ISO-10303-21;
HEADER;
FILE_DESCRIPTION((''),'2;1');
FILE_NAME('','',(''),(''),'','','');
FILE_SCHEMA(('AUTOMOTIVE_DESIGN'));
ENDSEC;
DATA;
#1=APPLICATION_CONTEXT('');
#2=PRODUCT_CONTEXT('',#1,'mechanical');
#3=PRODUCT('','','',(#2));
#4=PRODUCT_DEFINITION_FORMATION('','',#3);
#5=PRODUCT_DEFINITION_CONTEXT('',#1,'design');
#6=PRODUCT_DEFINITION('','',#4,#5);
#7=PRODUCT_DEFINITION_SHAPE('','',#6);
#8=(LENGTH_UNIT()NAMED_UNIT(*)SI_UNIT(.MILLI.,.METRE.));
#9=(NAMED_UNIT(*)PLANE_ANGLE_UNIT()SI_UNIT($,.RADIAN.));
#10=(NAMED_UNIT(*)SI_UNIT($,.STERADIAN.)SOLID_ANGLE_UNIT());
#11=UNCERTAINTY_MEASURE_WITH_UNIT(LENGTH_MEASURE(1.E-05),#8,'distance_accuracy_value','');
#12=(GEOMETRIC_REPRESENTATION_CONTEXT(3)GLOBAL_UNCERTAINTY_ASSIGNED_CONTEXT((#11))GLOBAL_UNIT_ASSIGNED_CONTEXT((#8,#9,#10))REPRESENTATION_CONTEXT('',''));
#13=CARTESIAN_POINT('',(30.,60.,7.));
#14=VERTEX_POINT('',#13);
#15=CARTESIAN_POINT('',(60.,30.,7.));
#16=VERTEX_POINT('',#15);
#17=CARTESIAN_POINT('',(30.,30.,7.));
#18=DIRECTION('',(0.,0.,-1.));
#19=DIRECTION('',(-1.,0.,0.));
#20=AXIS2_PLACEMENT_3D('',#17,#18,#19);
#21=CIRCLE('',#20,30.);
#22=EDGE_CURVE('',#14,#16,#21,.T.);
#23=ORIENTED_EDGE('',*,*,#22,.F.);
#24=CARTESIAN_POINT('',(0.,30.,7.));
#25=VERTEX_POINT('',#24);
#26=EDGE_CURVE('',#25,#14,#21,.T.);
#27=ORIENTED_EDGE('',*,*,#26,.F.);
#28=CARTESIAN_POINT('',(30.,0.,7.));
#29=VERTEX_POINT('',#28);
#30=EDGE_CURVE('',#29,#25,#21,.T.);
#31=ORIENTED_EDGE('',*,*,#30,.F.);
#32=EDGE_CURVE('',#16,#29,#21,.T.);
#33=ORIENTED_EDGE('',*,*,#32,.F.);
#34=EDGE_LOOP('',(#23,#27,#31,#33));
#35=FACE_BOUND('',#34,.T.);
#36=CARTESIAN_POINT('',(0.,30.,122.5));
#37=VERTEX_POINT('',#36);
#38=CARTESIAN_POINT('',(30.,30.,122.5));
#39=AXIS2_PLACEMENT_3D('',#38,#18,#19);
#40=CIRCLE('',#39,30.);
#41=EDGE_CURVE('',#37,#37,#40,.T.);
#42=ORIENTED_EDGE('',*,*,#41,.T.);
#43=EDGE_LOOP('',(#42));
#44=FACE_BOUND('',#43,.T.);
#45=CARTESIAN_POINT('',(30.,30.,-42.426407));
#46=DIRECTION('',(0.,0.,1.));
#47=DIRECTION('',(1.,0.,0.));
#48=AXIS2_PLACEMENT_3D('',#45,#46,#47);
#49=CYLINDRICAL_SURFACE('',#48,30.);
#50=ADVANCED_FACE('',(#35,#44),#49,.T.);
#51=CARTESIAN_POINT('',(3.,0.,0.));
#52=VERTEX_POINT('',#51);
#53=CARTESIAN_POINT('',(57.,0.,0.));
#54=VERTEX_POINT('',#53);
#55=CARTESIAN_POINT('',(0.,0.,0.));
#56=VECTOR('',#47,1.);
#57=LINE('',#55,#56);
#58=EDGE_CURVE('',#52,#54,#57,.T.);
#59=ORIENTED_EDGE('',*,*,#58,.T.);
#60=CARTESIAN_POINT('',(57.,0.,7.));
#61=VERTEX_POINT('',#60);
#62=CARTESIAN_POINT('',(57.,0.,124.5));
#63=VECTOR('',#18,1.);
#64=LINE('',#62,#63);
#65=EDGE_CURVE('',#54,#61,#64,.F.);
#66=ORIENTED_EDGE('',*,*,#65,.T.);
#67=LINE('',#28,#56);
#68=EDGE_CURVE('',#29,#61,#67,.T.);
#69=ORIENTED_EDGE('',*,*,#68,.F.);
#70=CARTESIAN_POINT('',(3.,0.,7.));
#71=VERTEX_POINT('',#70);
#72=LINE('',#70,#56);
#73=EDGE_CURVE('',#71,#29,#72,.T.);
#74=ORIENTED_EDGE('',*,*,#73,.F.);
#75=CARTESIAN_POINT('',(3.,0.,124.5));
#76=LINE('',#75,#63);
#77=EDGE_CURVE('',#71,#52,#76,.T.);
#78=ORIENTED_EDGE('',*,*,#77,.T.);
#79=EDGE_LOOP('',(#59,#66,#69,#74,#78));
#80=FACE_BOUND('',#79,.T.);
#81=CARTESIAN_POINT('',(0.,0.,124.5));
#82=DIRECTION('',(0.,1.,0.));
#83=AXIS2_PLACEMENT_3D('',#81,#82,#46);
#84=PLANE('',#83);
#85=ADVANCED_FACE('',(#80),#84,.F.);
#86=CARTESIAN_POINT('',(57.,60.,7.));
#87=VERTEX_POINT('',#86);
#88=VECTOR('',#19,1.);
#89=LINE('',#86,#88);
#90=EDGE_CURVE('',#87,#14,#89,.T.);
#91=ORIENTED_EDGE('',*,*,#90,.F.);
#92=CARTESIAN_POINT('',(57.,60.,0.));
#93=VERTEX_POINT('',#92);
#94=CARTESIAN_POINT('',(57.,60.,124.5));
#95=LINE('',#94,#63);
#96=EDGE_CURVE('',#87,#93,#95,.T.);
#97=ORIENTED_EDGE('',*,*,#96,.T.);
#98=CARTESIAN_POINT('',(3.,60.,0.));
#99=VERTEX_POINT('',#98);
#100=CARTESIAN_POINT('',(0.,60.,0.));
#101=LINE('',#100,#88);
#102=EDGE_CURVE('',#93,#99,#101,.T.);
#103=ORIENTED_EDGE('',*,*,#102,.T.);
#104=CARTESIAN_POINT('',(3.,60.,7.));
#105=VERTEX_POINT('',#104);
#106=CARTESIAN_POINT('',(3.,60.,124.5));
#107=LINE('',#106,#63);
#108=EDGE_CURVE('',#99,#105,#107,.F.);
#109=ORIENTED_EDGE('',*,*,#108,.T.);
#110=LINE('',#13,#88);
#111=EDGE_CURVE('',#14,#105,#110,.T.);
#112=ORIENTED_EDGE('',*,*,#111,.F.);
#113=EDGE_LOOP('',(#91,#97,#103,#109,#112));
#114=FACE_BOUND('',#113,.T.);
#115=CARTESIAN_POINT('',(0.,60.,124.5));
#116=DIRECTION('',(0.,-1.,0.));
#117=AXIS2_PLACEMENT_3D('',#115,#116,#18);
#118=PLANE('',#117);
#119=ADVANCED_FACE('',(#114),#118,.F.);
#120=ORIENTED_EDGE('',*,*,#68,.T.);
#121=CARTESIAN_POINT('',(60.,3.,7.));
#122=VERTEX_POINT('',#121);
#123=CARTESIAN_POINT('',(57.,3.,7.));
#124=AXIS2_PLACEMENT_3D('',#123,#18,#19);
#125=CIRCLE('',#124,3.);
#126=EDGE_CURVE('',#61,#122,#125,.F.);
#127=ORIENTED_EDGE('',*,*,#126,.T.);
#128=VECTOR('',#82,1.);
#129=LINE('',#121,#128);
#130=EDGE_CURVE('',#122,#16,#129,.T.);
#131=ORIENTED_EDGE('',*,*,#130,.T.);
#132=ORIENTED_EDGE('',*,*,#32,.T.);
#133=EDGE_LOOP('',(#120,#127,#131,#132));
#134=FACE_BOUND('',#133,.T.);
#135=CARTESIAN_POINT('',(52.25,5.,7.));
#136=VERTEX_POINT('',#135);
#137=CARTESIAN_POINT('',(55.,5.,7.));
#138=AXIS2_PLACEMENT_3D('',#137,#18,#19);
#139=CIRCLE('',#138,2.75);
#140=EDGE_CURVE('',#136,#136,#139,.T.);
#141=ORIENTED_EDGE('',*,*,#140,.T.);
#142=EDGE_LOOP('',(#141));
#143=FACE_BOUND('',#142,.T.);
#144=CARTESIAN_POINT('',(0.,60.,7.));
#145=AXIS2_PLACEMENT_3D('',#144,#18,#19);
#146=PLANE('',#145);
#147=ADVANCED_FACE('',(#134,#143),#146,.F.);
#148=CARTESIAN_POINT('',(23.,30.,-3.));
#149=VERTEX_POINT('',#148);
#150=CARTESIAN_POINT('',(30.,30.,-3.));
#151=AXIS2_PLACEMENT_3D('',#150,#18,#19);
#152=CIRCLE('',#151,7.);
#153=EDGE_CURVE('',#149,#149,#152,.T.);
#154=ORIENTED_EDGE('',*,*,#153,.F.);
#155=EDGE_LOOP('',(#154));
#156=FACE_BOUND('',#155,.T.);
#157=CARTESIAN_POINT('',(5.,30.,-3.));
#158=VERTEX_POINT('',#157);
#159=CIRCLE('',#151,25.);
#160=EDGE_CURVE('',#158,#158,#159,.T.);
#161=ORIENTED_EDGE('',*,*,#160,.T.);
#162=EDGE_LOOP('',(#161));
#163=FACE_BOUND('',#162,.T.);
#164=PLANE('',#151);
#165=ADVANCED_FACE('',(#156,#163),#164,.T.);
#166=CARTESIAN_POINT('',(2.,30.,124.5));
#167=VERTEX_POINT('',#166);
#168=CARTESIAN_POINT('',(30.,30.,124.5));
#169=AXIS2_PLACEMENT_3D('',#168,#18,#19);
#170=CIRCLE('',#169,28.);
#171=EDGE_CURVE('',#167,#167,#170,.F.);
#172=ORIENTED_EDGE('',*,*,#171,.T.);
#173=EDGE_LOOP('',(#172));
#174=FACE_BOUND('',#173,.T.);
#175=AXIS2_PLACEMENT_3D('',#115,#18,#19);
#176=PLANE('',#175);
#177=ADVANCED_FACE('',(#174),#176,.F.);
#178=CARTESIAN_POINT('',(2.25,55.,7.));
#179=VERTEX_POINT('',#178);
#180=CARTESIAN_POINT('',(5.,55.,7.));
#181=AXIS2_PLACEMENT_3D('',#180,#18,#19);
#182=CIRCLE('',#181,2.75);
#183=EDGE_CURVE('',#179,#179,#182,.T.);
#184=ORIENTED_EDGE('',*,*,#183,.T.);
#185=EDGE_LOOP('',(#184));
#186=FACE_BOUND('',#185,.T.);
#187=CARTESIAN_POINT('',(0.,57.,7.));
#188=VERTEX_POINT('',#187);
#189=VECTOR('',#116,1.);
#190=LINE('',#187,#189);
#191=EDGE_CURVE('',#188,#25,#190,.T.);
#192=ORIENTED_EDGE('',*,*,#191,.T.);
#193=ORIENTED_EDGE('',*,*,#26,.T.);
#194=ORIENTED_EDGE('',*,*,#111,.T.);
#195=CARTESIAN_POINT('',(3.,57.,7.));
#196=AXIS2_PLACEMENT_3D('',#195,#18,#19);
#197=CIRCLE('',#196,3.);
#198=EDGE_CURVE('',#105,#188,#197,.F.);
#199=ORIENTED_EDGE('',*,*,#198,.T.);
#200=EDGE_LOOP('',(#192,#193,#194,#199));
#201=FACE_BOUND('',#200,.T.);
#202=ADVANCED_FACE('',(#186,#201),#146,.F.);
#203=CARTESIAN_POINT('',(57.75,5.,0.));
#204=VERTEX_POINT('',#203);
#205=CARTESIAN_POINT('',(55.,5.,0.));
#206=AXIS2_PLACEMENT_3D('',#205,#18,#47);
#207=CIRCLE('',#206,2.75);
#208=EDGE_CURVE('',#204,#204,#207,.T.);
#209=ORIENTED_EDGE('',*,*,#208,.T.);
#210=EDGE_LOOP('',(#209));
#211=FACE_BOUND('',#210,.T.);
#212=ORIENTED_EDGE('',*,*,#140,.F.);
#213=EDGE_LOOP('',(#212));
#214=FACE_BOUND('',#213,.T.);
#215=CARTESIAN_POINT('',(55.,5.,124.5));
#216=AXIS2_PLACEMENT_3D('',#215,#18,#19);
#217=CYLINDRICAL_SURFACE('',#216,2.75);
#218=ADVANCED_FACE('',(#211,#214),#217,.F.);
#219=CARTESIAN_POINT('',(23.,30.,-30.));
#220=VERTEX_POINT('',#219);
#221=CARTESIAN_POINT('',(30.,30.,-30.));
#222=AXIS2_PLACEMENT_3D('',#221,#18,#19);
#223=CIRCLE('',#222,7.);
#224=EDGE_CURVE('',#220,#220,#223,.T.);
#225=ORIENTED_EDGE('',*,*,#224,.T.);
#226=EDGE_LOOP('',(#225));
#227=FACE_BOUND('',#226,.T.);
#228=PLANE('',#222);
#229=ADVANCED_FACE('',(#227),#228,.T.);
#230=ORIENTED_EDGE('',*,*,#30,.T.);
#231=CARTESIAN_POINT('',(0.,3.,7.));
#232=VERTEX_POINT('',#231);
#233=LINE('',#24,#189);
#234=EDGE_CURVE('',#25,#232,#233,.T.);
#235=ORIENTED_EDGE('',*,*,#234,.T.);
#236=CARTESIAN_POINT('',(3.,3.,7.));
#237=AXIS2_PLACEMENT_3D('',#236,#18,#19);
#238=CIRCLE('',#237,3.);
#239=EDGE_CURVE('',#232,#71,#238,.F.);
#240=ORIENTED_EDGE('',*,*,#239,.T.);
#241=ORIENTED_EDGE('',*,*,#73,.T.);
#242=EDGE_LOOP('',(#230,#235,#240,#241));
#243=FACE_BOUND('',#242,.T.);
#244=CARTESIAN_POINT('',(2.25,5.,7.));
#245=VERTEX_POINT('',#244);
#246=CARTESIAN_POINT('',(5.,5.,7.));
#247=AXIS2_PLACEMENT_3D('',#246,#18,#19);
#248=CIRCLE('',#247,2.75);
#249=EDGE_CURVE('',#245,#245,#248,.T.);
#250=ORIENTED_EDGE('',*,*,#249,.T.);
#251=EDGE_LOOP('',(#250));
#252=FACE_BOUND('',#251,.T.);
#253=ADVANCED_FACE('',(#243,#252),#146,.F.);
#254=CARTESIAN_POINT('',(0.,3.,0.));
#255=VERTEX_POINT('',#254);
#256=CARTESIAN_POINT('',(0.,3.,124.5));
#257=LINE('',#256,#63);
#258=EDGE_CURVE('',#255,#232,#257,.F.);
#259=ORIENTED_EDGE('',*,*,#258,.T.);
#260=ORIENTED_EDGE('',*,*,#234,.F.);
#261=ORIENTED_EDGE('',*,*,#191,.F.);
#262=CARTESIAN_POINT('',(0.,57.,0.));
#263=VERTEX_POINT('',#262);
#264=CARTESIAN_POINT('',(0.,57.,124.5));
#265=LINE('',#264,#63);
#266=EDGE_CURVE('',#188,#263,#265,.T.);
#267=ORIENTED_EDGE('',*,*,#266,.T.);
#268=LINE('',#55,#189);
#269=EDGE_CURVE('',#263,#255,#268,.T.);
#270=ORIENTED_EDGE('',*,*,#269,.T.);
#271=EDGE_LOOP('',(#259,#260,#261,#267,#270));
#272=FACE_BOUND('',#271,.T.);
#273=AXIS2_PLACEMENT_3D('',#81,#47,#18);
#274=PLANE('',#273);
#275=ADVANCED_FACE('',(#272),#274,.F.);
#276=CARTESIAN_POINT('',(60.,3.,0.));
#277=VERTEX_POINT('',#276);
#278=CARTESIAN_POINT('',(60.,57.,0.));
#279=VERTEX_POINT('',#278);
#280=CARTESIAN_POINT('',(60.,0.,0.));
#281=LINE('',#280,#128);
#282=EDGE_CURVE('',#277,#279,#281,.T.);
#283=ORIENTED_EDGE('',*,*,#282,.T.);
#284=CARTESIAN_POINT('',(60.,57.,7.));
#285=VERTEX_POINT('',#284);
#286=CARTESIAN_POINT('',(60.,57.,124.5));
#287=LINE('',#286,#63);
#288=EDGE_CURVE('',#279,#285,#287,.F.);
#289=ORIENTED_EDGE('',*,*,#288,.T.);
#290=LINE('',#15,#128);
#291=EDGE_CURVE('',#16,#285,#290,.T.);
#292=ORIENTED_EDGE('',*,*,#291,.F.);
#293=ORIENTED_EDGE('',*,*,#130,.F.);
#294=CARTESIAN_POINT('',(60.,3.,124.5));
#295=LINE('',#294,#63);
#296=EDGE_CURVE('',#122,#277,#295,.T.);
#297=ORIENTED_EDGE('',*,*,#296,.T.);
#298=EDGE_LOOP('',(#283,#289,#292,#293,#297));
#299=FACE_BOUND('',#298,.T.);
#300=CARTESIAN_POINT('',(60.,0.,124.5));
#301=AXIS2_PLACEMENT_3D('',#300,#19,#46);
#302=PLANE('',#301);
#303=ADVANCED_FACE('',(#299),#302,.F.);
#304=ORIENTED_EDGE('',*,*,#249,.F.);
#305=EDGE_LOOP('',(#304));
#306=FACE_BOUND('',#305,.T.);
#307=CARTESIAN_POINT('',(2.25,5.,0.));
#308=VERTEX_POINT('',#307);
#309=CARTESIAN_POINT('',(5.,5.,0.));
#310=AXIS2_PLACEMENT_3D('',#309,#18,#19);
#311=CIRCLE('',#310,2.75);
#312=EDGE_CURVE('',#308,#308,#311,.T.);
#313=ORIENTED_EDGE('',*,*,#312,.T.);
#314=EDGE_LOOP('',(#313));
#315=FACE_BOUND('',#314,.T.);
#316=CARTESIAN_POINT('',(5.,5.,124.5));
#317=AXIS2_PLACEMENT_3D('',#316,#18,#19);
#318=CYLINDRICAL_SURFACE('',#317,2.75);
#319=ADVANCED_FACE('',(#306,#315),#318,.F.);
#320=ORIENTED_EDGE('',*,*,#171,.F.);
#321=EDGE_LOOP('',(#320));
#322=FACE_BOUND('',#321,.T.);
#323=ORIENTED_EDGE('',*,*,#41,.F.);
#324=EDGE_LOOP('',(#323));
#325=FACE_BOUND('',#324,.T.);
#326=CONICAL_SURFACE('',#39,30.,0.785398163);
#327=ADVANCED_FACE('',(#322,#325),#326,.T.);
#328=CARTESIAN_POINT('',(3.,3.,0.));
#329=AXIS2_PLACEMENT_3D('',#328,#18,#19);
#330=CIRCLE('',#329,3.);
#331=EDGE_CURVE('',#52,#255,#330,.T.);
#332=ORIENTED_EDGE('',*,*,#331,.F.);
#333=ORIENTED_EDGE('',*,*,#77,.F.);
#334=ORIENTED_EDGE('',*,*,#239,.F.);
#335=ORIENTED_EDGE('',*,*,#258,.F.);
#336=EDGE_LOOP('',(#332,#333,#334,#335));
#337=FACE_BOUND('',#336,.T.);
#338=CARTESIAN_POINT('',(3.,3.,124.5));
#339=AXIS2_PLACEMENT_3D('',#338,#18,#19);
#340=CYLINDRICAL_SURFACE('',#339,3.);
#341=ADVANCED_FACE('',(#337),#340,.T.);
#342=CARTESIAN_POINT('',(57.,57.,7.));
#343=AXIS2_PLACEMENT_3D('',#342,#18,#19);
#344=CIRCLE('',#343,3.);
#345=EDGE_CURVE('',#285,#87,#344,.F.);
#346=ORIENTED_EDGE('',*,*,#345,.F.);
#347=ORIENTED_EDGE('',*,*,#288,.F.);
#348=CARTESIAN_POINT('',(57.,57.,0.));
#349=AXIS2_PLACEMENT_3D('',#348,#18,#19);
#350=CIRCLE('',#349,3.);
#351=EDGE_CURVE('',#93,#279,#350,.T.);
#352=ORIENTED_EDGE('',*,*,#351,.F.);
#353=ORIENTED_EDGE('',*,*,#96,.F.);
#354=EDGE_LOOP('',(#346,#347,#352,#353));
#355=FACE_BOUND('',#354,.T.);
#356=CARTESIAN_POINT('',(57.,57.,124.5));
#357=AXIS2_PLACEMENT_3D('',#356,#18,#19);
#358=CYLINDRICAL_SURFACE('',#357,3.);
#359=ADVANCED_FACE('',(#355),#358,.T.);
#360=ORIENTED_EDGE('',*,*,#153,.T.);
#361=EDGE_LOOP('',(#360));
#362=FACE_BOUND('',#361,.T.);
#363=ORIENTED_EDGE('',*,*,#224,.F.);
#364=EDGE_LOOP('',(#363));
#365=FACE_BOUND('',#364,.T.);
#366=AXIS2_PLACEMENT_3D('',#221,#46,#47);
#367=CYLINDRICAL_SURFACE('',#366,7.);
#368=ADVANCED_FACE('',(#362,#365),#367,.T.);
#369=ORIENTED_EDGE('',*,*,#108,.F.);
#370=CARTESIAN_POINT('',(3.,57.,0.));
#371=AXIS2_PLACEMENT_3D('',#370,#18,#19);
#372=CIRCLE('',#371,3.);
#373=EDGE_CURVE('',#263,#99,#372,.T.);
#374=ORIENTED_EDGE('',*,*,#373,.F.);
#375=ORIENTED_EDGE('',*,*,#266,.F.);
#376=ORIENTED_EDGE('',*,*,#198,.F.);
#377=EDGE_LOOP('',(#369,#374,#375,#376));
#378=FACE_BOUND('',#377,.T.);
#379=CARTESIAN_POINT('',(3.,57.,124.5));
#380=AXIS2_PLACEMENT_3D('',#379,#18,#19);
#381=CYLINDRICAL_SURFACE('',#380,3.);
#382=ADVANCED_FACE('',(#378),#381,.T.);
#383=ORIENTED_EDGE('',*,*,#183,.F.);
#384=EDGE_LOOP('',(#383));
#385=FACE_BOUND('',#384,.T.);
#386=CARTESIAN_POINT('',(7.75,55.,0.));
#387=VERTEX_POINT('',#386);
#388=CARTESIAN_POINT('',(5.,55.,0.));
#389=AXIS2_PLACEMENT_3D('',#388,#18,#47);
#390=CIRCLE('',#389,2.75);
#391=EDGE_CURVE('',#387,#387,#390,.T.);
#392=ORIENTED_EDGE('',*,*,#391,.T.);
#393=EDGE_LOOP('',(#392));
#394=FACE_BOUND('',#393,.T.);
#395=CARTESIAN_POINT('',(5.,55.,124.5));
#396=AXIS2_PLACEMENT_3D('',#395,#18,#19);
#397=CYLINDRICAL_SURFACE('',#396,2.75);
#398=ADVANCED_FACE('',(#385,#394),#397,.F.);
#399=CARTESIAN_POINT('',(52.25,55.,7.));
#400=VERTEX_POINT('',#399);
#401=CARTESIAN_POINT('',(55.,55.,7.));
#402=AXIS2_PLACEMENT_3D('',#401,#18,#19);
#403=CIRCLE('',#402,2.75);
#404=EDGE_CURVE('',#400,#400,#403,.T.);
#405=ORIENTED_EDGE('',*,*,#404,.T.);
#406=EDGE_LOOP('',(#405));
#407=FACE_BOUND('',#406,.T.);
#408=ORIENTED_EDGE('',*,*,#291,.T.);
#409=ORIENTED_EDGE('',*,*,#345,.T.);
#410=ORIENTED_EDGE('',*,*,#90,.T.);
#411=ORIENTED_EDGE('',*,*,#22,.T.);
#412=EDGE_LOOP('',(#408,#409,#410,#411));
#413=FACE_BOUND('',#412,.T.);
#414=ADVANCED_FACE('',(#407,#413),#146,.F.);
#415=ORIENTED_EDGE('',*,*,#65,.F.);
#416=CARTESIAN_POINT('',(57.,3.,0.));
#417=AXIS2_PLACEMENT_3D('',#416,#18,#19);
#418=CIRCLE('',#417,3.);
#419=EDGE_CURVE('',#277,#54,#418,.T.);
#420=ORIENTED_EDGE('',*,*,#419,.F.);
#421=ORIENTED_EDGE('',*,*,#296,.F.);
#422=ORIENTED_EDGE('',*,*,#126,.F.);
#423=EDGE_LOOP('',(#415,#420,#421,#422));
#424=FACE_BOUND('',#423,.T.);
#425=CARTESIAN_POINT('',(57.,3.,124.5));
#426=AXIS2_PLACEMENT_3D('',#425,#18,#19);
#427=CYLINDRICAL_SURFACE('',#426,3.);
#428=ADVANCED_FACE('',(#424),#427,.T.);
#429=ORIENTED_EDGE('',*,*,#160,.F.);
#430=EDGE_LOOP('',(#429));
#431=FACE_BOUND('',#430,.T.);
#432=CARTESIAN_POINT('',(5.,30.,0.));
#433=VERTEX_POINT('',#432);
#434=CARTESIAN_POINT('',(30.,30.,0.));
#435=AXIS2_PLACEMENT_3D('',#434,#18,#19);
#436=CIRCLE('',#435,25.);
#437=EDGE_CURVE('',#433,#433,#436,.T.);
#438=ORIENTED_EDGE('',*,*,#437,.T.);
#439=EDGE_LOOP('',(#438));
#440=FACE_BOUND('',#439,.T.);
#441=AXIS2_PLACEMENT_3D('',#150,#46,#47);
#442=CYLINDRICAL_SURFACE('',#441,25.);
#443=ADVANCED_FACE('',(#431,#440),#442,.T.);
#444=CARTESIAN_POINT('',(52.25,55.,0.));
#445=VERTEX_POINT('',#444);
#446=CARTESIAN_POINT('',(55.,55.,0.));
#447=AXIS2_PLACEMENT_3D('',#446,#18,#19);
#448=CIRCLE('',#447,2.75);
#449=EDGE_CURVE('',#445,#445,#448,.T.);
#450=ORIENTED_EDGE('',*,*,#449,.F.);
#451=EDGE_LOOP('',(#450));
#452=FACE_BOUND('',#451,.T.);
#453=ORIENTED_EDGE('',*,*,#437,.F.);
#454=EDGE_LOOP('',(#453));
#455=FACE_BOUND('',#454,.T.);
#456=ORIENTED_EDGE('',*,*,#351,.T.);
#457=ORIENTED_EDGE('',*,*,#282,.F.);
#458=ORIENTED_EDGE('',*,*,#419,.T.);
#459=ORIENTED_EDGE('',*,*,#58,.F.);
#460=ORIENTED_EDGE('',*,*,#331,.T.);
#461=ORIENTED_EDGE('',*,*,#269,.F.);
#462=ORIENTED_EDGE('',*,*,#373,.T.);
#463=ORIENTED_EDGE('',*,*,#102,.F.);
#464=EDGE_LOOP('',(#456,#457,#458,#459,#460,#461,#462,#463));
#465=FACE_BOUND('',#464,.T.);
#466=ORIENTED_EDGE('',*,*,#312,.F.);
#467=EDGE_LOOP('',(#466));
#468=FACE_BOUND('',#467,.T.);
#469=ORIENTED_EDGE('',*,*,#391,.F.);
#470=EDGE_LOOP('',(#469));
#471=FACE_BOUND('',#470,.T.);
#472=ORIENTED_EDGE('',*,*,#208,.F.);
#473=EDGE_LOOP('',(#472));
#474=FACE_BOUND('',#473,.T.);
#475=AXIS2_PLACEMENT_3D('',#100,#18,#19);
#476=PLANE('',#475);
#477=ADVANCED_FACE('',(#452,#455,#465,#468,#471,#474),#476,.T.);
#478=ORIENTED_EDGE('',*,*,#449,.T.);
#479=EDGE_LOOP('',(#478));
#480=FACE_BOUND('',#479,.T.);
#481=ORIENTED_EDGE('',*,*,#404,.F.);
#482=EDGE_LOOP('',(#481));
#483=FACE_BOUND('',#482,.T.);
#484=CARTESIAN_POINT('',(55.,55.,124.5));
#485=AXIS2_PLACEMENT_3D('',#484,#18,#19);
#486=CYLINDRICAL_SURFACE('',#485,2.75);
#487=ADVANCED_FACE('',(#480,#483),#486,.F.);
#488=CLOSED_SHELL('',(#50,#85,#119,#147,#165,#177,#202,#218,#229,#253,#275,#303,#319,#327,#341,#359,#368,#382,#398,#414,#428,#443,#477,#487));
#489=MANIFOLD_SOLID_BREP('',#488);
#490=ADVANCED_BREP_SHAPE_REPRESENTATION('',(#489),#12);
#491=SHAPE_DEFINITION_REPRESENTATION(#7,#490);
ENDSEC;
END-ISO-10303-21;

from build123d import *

# Parameters (mm, degrees)
SKETCH_1_W               = 60.00000000000001
SKETCH_1_H               = 60.00000000000001
EXTRUDE_1_DEPTH          = 124.5
SKETCH_2_R               = 25
EXTRUDE_2_DEPTH          = 3
SKETCH_3_R               = 6.999999999999999
EXTRUDE_3_DEPTH          = 27
FILLET_1_R               = 3
CUT_EXTRUDE_1_DEPTH      = 117.5
PATTERN_CIRCULAR_1_COUNT = 4
CHAMFER_1_SIZE           = 2
SKETCH_5_R               = 2.75
SKETCH_5_R_2             = 2.7500000000000018
SKETCH_5_R_3             = 2.7500000000000004
SKETCH_5_R_4             = 2.750000000000002
CUT_EXTRUDE_2_DEPTH      = 151.66602138504885


with BuildPart() as part:
    # 草圖1 → 伸長1 (new body)
    with BuildSketch(Plane.XY):
        with Locations((30.000000000000004, 30.000000000000004)):
            Rectangle(SKETCH_1_W, SKETCH_1_H)
    extrude(amount=EXTRUDE_1_DEPTH)

    # 草圖2 → 伸長2 (add)
    with BuildSketch(Plane(origin=(0, 0, 0), x_dir=(-1, 0, 0), z_dir=(0, 0, -1))):
        with Locations((-30.000000000000007, 30)):
            Circle(SKETCH_2_R)
    extrude(amount=EXTRUDE_2_DEPTH)

    # 草圖3 → 伸長3 (add)
    with BuildSketch(Plane(origin=(0, 0, -3), x_dir=(-1, 0, 0), z_dir=(0, 0, -1))):
        with Locations((-30.000000000000007, 30)):
            Circle(SKETCH_3_R)
    extrude(amount=EXTRUDE_3_DEPTH)

    # 圓角1
    fillet_1_edges = [part.edges().sort_by_distance(p)[0] for p in [
        (0, 60, 62.25),
        (60, 60, 62.25),
        (60, 0, 62.25),
        (0, 0, 62.25),
    ]]
    fillet(fillet_1_edges, radius=FILLET_1_R)

    # 草圖4 → 除料-伸長1 (cut)
    with BuildSketch(Plane.XY.offset(124.5)):
        with BuildLine():
            Line((60, 3), (60, 30.000000000000007))
            ThreePointArc((60, 30.000000000000007), (51.213203435596434, 8.786796564403577), (30, 0))
            Line((30, 0), (56.99999999999999, 0))
            ThreePointArc((56.99999999999999, 0), (59.12132034355964, 0.8786796564403576), (60, 3))
        make_face()
    cut_extrude_1 = extrude(amount=-CUT_EXTRUDE_1_DEPTH, mode=Mode.SUBTRACT)

    # 環狀複製排列1: 除料-伸長1 ×4 about axis
    pattern_circular_1_axis = Axis((30, 30, 0), (0, 0, 1))
    for i in range(1, PATTERN_CIRCULAR_1_COUNT):
        add(cut_extrude_1.rotate(pattern_circular_1_axis, i * 360 / PATTERN_CIRCULAR_1_COUNT), mode=Mode.SUBTRACT)

    # 導角1
    chamfer_1_edges = [part.edges().sort_by_distance(p)[0] for p in [
        (29.999999999999982, 59.99999999999999, 124.5),
    ]]
    chamfer(chamfer_1_edges, length=CHAMFER_1_SIZE)

    # 草圖5 → 除料-伸長2 (cut, through all)
    with BuildSketch(Plane(origin=(0, 0, 0), x_dir=(-1, 0, 0), z_dir=(0, 0, -1))):
        with Locations((-4.999999999999972, 4.999999999999999)):
            Circle(SKETCH_5_R)
        with Locations((-54.99999999999997, 4.999999999999987)):
            Circle(SKETCH_5_R_2)
        with Locations((-4.99999999999997, 54.99999999999999)):
            Circle(SKETCH_5_R_3)
        with Locations((-55, 54.99999999999998)):
            Circle(SKETCH_5_R_4)
    extrude(amount=-CUT_EXTRUDE_2_DEPTH, mode=Mode.SUBTRACT)


solid = part.part
